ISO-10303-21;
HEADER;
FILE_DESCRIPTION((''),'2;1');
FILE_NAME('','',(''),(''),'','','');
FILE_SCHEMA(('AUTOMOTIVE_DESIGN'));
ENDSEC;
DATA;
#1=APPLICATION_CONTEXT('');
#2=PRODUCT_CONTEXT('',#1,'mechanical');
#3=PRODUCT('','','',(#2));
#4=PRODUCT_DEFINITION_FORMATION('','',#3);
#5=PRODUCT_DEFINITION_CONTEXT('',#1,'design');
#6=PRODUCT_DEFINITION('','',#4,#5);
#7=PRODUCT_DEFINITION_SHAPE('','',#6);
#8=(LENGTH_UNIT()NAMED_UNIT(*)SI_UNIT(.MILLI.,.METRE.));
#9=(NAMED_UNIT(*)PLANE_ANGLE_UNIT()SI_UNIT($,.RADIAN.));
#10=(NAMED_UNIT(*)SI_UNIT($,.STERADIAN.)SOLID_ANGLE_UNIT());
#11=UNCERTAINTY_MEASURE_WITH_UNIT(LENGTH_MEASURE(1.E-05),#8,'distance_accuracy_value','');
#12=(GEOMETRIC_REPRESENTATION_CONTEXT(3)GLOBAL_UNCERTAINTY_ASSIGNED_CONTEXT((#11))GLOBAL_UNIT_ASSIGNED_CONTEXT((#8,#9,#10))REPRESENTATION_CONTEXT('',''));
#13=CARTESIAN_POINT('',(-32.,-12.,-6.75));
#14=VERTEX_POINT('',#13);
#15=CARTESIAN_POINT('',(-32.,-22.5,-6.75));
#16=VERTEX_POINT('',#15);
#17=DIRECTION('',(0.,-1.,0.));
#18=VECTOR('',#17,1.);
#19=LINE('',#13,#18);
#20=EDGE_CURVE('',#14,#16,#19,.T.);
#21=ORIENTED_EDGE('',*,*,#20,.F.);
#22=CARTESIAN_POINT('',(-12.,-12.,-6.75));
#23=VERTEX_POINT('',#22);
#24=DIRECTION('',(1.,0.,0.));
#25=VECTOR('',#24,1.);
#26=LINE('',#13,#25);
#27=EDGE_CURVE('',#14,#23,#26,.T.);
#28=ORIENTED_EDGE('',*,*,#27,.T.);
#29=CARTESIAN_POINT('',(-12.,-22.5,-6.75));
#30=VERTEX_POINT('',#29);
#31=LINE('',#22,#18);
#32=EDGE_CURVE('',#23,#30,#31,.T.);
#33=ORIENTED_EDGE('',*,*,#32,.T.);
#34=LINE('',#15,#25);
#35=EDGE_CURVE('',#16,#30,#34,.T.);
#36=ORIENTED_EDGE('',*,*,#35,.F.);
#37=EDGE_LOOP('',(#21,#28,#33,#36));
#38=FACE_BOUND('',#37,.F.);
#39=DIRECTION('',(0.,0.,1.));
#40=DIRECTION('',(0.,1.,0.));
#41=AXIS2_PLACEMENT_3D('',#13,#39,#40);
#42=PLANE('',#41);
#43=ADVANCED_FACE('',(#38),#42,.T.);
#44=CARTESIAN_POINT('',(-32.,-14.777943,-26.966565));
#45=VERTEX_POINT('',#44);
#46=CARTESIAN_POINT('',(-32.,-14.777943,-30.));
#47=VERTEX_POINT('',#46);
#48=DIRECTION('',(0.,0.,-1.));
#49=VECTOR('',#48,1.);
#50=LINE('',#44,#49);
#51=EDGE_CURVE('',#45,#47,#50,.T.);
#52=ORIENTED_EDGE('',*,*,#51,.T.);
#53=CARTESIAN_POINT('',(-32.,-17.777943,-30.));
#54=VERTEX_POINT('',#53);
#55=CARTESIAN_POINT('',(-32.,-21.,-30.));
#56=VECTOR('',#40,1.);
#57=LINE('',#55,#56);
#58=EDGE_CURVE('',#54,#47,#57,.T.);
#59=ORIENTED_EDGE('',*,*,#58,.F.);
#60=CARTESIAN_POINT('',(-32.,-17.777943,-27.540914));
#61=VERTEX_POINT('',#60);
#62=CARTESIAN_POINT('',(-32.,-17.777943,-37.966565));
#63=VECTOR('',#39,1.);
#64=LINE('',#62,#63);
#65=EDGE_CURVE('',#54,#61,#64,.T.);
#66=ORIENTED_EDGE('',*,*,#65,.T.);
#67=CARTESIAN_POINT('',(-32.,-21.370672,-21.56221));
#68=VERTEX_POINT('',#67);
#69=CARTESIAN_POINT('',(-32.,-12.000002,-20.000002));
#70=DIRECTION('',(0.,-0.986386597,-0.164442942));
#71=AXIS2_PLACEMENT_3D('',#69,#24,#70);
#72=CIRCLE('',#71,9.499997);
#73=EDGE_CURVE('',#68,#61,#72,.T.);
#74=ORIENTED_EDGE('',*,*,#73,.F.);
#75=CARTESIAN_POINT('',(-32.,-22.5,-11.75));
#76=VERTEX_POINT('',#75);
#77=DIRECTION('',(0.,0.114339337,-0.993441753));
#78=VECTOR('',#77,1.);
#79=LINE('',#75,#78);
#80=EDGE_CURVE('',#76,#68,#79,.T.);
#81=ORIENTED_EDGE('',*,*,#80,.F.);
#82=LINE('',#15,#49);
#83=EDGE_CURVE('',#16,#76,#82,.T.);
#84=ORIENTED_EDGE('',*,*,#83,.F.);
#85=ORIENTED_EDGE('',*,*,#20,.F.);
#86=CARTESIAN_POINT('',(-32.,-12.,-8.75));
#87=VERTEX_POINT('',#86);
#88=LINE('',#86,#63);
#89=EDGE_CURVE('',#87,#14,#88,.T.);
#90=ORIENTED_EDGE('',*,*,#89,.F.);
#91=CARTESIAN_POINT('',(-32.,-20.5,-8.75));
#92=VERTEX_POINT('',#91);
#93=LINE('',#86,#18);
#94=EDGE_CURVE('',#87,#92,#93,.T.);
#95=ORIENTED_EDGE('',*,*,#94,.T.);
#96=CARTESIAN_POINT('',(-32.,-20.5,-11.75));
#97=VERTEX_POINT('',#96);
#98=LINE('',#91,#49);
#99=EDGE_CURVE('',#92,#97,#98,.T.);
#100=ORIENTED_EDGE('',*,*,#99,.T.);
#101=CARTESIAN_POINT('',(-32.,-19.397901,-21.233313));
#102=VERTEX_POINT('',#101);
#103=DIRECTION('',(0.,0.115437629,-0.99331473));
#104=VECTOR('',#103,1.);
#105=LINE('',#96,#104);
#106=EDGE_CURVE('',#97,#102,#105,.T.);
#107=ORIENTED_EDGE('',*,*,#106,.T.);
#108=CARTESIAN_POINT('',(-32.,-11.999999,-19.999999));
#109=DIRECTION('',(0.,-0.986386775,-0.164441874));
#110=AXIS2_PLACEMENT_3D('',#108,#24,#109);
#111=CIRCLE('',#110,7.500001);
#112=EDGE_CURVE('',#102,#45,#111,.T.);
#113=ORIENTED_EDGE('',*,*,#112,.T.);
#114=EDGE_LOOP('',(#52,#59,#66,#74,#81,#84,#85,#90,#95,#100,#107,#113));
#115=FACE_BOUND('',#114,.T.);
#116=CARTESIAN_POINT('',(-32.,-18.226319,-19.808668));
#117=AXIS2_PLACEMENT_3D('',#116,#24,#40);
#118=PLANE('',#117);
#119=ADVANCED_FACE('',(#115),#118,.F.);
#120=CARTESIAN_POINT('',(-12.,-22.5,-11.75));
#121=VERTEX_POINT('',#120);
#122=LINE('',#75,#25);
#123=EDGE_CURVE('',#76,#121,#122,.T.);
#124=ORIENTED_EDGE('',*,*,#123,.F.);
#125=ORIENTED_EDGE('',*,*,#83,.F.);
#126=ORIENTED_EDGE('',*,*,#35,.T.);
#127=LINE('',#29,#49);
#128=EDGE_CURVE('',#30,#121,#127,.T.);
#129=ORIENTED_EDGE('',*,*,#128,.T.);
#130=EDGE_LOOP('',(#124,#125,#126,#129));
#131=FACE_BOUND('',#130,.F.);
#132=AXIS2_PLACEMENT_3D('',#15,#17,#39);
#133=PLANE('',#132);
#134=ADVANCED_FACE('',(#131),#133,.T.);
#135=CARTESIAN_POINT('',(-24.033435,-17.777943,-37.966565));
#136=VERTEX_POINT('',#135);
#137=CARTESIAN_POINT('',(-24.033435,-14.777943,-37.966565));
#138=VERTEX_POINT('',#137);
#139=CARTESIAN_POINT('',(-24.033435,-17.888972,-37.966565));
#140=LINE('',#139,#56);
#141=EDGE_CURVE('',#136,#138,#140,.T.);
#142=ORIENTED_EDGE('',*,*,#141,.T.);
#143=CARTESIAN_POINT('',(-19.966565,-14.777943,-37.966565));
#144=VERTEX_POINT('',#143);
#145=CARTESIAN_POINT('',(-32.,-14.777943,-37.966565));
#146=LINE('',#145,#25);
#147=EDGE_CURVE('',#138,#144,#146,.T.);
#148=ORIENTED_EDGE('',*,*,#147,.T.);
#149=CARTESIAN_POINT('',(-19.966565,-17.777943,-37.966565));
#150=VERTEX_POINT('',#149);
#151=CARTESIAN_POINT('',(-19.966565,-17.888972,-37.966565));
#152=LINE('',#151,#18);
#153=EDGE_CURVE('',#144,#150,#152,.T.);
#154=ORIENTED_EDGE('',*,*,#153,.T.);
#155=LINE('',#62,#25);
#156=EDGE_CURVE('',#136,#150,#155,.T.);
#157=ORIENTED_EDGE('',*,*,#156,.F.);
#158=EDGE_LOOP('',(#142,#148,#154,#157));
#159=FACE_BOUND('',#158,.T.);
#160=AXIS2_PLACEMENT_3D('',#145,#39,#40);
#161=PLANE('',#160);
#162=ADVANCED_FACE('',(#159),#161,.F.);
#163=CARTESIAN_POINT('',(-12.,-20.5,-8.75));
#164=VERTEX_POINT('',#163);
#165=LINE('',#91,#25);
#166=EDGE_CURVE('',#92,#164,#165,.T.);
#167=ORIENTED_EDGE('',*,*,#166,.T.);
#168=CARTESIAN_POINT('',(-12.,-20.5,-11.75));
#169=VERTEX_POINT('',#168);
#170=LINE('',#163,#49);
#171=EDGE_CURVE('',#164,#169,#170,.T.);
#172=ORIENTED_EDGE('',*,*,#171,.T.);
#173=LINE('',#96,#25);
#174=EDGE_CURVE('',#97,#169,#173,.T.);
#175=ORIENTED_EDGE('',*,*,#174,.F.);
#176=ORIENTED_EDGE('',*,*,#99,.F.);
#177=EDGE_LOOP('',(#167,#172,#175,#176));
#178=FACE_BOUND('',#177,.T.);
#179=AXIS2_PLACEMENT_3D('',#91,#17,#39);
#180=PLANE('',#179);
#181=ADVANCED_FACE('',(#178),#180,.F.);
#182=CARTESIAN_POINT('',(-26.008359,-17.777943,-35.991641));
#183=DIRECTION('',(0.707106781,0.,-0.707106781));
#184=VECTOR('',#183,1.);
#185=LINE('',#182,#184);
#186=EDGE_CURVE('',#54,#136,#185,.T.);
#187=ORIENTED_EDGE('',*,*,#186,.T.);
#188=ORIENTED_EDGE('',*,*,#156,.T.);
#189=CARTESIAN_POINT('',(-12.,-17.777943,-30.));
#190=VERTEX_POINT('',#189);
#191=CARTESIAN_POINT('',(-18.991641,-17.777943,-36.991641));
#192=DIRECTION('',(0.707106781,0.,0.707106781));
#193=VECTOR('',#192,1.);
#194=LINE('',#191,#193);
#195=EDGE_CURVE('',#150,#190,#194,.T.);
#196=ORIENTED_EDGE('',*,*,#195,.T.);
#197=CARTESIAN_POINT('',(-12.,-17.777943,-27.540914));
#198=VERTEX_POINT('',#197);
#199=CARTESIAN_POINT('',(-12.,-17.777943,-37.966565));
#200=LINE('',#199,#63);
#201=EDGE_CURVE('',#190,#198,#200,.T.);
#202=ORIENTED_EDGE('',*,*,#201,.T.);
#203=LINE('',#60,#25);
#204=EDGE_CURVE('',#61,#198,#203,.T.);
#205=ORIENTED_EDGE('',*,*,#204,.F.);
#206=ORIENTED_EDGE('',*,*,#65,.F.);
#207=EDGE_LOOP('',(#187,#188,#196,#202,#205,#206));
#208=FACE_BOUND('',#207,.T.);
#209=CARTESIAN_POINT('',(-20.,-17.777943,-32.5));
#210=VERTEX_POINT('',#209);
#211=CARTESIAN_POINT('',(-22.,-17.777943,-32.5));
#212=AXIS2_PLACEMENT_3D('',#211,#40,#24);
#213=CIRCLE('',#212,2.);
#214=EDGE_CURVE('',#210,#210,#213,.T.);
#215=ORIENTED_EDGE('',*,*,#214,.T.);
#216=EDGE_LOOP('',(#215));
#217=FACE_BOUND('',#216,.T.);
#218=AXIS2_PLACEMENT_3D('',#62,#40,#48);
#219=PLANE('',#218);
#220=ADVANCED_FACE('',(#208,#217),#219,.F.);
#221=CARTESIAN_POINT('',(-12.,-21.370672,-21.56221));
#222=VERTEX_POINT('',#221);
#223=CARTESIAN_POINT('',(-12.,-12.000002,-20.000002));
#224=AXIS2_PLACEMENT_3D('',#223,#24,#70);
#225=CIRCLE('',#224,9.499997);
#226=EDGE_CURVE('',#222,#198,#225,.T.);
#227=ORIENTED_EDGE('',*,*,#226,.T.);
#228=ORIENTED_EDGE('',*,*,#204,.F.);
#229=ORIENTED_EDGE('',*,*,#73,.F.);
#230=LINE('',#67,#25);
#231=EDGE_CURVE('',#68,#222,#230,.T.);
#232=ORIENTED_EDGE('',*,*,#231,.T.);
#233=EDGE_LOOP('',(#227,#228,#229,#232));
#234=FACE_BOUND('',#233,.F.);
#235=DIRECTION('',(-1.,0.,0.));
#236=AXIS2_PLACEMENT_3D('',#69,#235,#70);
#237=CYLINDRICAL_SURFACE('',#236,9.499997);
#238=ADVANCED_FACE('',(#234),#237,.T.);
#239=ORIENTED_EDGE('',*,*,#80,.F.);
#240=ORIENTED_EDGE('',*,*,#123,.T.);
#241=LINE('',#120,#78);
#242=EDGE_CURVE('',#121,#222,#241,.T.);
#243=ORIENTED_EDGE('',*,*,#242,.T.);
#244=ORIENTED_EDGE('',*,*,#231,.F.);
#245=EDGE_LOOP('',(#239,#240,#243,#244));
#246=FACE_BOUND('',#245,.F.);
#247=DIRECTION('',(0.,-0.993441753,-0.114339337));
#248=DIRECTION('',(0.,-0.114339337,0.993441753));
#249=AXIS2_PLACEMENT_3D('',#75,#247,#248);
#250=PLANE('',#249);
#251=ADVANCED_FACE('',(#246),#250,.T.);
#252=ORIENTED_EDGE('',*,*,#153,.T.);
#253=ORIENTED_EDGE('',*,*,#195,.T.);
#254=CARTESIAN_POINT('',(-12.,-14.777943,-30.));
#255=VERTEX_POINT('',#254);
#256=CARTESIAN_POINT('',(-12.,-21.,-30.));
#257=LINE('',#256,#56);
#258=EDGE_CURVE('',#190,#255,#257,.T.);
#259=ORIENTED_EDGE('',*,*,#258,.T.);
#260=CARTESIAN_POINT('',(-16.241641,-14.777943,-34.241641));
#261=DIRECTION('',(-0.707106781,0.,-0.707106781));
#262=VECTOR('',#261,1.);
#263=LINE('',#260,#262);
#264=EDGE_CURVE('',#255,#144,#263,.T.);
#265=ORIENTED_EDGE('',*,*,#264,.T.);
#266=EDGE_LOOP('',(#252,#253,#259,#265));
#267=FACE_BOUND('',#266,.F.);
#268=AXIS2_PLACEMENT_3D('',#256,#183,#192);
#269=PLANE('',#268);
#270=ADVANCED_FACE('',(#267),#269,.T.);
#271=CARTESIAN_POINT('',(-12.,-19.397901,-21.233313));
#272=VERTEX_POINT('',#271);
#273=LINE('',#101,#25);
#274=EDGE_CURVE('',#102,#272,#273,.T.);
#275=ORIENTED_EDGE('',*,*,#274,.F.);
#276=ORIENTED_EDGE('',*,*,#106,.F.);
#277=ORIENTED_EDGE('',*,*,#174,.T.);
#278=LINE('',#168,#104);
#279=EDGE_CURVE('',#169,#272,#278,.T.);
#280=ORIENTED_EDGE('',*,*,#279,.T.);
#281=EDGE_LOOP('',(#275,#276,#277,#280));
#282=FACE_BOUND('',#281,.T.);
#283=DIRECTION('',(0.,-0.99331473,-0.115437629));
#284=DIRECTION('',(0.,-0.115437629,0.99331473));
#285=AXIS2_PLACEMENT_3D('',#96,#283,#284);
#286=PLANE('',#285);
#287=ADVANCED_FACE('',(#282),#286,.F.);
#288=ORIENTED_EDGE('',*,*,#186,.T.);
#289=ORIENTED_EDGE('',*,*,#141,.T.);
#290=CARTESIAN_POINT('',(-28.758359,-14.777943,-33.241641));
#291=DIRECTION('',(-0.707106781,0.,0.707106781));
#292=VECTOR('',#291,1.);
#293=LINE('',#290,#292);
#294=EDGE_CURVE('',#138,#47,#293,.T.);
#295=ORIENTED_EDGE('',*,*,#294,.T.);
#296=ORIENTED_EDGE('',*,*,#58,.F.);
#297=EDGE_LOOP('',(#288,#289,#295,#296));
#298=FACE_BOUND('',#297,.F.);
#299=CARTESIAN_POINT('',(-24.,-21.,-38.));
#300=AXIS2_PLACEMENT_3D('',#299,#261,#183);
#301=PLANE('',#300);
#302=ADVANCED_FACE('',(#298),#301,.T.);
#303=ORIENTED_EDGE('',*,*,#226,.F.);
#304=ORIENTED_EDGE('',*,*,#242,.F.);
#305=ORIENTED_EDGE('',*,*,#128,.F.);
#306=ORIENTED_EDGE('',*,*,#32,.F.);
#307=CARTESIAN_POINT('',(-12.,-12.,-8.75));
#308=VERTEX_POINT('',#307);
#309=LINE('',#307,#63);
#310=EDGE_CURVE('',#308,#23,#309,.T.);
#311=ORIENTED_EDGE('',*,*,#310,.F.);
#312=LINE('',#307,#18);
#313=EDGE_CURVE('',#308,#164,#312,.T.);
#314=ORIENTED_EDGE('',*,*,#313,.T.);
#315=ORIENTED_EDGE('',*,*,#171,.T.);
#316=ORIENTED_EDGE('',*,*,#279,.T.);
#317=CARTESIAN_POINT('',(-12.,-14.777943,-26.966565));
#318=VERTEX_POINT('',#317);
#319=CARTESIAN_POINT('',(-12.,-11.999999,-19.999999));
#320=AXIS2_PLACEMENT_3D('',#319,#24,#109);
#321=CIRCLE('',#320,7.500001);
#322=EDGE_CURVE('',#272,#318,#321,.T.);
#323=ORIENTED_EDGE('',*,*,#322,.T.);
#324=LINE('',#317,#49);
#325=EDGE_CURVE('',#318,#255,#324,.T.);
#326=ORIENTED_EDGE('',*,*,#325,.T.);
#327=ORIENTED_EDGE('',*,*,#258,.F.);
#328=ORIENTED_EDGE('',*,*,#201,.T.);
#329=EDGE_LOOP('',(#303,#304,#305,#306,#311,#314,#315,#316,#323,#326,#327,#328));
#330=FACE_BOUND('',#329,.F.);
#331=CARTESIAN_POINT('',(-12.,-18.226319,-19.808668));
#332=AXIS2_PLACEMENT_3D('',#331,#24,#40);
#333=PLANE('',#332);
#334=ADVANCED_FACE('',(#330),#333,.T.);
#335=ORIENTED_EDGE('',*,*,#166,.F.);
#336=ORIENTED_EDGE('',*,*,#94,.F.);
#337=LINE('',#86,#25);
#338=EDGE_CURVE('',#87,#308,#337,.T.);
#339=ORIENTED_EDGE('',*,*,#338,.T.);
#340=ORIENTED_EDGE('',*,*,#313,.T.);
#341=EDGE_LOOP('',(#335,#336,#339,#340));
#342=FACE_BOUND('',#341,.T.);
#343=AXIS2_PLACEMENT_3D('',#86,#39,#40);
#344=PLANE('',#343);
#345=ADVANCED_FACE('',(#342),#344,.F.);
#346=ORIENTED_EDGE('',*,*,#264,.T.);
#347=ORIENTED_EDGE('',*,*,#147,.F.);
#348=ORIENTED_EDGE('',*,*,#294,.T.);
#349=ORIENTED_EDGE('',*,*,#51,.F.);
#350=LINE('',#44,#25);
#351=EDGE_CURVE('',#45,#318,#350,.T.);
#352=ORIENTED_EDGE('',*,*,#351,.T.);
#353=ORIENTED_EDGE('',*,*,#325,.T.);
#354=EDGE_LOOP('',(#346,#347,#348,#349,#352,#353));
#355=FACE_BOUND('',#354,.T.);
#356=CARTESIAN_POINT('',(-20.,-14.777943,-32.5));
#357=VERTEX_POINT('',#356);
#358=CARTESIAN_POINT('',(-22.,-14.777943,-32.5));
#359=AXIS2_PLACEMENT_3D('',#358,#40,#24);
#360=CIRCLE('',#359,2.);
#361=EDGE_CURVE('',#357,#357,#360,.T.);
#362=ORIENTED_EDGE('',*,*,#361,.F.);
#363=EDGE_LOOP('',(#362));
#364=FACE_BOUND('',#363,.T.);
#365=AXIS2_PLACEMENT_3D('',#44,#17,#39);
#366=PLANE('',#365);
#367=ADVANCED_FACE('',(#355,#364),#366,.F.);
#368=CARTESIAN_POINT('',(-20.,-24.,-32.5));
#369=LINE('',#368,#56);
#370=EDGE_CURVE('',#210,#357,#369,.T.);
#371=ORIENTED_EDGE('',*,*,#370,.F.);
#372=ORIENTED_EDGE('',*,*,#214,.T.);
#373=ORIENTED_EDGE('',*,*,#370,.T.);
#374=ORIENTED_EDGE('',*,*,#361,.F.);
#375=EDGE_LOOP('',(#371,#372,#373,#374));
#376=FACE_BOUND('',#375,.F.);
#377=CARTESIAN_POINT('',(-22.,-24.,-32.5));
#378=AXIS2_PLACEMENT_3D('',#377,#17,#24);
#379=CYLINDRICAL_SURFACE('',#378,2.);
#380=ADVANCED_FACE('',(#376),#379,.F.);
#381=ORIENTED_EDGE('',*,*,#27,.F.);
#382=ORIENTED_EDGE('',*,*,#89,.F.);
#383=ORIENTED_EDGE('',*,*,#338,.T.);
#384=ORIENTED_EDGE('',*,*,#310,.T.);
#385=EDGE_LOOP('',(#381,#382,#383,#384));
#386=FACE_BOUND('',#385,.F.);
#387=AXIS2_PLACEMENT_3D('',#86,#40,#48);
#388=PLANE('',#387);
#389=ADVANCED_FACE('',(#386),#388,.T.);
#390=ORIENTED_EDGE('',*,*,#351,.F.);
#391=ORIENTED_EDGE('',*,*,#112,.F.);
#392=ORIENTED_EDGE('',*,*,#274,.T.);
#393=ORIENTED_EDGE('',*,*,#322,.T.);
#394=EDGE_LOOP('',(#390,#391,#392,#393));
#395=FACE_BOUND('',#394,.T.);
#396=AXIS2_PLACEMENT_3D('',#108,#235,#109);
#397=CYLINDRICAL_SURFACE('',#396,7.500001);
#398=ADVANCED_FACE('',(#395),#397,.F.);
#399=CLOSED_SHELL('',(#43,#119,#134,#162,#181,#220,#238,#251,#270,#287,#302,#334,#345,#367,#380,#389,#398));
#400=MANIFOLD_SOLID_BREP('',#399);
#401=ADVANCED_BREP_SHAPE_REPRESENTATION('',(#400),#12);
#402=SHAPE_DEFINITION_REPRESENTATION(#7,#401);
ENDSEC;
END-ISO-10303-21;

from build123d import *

# Parameters (mm, degrees)
EXTRUDE004_DEPTH  = 10
CYLINDER024_R     = 2
CYLINDER024_DEPTH = 20
EXTRUDE003_DEPTH  = 20


with BuildPart() as extrude004:
    # Sketch006 → Extrude004 (new body)
    with BuildSketch(Plane(origin=(0, 20, 0), x_dir=(-1, 0, 0), z_dir=(0, 1, 0))):
        Polygon((24, -38), (32, -30), (33, -30), (33, -39), (11, -39), (11, -30), (12, -30), (20, -38), align=None)
    extrude(amount=-EXTRUDE004_DEPTH)


with BuildPart() as extrude004_1:
    # Extrude004 placement: moved
    add(extrude004.part.moved(Location((0, -23, 0))))


with BuildPart() as fusion005:
    # Cylinder024 → Cylinder024 (new body)
    with BuildSketch(Plane(origin=(-22, 0, -32.5), x_dir=(1, 0, 0), z_dir=(0, -1, 0))):
        Circle(CYLINDER024_R)
    extrude(amount=CYLINDER024_DEPTH)

    # Fusion005: union Extrude004
    add(extrude004_1.part)


with BuildPart() as body001:
    # Sketch005 → Extrude003 (new body)
    with BuildSketch(Plane(origin=(-80, 0, 0), x_dir=(0, -1, 0), z_dir=(-1, 0, 0))):
        with BuildLine():
            Line((9.222057, -26.966565), (9.222057, -37.966565))
            Line((9.222057, -37.966565), (6.222057, -37.966565))
            Line((6.222057, -37.966565), (6.222057, -27.540914))
            ThreePointArc((2.629328, -21.56221), (3.857128, -24.893224), (6.222057, -27.540914))
            Line((1.5, -11.75), (2.629328, -21.56221))
            Line((1.5, -6.75), (1.5, -11.75))
            Line((12, -6.75), (1.5, -6.75))
            Line((12, -8.75), (12, -6.75))
            Line((12, -8.75), (3.5, -8.75))
            Line((3.5, -8.75), (3.5, -11.75))
            Line((3.5, -11.75), (4.602099, -21.233313))
            ThreePointArc((4.602099, -21.233313), (6.160095, -24.705901), (9.222057, -26.966565))
        make_face()
    extrude(amount=-EXTRUDE003_DEPTH)


with BuildPart() as body001_1:
    # Extrude003 placement: moved
    add(body001.part.moved(Location((48, 0, 0))))

    # Cut004: cut Fusion005
    add(fusion005.part, mode=Mode.SUBTRACT)


with BuildPart() as part_mirroring001:
    # Part__Mirroring001: instance of Body001
    add(body001_1.part.mirror(Plane(origin=(0, -12, 0), x_dir=(1, 0, 0), z_dir=(0, 1, 0))))


solid = part_mirroring001.part
